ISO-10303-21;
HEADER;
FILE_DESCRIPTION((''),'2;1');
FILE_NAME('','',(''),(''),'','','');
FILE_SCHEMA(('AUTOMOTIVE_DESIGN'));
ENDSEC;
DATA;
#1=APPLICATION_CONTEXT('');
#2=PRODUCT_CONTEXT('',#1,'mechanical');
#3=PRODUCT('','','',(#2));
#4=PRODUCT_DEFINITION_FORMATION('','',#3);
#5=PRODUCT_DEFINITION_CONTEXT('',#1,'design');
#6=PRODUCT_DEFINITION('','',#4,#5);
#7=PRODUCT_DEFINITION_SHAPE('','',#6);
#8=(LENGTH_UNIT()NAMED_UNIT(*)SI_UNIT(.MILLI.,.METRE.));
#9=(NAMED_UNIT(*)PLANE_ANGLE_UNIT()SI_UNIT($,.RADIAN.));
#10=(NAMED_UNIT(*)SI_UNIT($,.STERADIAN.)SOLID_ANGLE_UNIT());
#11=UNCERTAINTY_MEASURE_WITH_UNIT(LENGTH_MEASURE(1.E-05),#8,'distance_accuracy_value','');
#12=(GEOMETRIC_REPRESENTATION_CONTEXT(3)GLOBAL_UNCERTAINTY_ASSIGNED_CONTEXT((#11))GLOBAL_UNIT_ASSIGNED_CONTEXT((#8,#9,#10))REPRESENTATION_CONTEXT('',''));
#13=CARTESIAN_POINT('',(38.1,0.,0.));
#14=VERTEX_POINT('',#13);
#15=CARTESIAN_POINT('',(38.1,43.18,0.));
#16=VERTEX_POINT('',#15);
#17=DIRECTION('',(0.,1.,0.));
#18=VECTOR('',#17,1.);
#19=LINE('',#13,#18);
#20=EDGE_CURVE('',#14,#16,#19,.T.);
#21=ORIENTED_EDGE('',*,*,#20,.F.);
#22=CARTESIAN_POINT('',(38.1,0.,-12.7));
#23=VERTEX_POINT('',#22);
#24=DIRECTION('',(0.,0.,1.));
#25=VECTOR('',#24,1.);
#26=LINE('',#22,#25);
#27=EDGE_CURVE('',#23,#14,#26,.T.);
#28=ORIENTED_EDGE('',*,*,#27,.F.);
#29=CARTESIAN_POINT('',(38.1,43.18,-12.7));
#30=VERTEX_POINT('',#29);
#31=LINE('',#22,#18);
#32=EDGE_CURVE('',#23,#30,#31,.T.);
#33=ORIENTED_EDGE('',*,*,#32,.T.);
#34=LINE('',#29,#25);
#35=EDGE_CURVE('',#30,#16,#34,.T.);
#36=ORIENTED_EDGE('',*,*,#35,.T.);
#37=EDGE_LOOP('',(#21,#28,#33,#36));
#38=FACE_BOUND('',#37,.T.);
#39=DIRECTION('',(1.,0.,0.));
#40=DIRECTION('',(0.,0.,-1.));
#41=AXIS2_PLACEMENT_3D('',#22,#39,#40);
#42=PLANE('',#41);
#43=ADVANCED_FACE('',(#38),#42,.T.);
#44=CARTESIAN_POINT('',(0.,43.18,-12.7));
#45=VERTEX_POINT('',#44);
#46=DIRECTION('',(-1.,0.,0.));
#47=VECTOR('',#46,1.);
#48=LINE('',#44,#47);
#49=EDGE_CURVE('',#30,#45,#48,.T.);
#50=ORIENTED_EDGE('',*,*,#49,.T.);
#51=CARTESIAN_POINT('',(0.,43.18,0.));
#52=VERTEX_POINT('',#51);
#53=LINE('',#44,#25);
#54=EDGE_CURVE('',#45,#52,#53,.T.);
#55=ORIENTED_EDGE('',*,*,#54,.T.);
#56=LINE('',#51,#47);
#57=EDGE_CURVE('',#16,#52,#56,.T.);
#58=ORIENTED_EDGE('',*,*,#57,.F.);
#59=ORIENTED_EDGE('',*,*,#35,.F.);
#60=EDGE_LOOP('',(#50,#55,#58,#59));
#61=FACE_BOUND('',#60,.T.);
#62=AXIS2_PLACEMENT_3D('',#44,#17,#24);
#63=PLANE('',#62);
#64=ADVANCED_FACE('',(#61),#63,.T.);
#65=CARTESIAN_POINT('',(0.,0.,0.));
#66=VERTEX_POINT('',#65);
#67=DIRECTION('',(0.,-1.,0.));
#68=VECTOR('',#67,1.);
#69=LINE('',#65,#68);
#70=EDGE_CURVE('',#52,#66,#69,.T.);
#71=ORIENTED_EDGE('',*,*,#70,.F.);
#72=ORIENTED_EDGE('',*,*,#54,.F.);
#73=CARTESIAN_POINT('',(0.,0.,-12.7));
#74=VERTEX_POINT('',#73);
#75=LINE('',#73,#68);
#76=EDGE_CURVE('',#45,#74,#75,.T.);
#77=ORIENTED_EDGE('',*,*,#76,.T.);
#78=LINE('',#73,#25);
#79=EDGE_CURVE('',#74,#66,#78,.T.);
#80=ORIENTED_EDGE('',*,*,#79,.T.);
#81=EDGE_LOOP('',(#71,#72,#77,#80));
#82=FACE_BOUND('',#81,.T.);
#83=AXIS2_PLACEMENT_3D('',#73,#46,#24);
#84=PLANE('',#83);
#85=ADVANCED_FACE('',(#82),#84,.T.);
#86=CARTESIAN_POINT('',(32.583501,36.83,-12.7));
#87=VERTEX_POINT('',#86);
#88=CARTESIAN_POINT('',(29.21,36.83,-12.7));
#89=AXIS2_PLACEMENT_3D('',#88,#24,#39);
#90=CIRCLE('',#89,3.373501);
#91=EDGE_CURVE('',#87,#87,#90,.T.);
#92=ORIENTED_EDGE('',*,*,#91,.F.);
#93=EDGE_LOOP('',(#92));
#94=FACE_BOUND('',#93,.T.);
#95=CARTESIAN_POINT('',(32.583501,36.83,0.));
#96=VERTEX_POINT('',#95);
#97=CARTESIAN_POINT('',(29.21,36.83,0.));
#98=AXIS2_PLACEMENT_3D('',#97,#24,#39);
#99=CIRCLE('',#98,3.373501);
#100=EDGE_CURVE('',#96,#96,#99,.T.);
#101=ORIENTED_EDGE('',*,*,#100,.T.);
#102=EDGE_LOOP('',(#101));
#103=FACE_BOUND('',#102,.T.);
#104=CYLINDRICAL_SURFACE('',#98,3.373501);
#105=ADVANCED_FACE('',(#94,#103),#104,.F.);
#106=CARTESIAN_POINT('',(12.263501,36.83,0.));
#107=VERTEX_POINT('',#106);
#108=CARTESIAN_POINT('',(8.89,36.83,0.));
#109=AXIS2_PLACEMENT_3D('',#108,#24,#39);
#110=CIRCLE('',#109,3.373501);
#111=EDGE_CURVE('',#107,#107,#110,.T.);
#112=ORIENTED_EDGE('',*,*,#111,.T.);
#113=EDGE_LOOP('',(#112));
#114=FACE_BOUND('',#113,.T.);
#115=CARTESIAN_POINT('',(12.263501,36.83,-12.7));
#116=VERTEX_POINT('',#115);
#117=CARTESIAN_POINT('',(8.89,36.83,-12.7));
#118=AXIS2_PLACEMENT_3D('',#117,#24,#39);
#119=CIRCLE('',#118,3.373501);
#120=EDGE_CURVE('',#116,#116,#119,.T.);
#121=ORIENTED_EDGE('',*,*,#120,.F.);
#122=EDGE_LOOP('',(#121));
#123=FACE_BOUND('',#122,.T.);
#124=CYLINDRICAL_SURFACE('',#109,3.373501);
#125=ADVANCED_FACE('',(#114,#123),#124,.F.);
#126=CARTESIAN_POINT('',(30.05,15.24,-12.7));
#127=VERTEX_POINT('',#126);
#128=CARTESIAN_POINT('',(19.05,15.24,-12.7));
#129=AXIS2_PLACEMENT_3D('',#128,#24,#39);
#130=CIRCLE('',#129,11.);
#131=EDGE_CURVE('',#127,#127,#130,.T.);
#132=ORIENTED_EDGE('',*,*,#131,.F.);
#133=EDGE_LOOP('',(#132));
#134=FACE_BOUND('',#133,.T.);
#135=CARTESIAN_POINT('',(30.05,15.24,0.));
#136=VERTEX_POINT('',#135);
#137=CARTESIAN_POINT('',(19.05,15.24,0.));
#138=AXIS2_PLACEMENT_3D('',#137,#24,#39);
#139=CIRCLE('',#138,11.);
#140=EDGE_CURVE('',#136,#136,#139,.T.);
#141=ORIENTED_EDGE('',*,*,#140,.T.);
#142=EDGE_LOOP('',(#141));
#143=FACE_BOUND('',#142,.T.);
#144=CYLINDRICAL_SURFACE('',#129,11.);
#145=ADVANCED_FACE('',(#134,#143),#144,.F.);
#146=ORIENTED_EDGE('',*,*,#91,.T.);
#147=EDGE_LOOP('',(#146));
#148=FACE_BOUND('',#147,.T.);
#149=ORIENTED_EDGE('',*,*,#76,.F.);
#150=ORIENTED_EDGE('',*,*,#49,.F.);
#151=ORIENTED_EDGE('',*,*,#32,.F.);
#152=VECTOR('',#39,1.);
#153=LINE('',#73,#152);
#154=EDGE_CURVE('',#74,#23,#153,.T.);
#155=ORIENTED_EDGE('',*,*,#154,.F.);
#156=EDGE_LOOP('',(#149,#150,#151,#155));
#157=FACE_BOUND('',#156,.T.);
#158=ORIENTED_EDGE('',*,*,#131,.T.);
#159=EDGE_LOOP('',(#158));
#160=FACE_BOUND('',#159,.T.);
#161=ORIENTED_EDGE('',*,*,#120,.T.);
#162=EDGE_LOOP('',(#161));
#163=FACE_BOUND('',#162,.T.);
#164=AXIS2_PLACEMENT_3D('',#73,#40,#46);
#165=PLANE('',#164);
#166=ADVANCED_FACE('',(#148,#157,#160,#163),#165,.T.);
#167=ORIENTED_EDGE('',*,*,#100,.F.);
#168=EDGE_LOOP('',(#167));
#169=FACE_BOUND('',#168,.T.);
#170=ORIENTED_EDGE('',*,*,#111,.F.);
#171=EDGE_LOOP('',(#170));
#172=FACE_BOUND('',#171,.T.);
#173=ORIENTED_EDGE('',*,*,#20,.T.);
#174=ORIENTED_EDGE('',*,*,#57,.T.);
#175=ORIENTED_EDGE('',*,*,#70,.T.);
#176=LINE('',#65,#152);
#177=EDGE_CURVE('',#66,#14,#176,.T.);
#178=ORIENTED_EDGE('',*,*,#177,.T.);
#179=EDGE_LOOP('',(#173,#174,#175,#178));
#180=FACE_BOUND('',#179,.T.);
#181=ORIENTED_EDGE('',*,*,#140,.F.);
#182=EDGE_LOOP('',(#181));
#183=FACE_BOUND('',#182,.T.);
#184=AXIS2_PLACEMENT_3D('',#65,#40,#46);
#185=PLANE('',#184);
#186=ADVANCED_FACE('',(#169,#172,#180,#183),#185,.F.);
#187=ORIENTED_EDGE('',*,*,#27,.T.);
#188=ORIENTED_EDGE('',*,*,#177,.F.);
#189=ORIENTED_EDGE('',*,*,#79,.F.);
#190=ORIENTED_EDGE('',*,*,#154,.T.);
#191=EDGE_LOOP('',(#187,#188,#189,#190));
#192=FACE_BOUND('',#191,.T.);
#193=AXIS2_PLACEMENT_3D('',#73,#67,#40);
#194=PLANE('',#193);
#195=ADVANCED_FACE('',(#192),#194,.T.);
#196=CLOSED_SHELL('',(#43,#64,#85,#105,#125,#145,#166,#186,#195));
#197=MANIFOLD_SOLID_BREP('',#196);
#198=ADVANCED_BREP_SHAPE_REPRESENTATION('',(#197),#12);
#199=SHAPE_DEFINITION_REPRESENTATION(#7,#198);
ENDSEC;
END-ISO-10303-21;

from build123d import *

# Parameters (mm, degrees)
SKETCH1_W                        = 38.1
SKETCH1_H                        = 43.18
BOSS_EXTRUDE1_DEPTH              = 12.7
SKETCH3_R                        = 11
CUT_EXTRUDE1_DEPTH               = 13.7
F_17_64_0_26563_DIAMETER_HOLE1_D = 6.747002


with BuildPart() as part:
    # Sketch1 → Boss-Extrude1 (new body)
    with BuildSketch(Plane.XY):
        with Locations((19.05, 21.59)):
            Rectangle(SKETCH1_W, SKETCH1_H)
    extrude(amount=-BOSS_EXTRUDE1_DEPTH)

    # Sketch3 → Cut-Extrude1 (cut, through all)
    with BuildSketch(Plane.XY):
        with Locations((19.05, 15.24)):
            Circle(SKETCH3_R)
    extrude(amount=-CUT_EXTRUDE1_DEPTH, mode=Mode.SUBTRACT)

    # 17/64 (0.26563) Diameter Hole1 (through all)
    with Locations(Plane(origin=(29.21, 36.83, 0), x_dir=(1, 0, 0), z_dir=(0, 0, 1))):
        with Locations((0, 0), (-20.32, 0)):
            Hole(F_17_64_0_26563_DIAMETER_HOLE1_D / 2)


solid = part.part
